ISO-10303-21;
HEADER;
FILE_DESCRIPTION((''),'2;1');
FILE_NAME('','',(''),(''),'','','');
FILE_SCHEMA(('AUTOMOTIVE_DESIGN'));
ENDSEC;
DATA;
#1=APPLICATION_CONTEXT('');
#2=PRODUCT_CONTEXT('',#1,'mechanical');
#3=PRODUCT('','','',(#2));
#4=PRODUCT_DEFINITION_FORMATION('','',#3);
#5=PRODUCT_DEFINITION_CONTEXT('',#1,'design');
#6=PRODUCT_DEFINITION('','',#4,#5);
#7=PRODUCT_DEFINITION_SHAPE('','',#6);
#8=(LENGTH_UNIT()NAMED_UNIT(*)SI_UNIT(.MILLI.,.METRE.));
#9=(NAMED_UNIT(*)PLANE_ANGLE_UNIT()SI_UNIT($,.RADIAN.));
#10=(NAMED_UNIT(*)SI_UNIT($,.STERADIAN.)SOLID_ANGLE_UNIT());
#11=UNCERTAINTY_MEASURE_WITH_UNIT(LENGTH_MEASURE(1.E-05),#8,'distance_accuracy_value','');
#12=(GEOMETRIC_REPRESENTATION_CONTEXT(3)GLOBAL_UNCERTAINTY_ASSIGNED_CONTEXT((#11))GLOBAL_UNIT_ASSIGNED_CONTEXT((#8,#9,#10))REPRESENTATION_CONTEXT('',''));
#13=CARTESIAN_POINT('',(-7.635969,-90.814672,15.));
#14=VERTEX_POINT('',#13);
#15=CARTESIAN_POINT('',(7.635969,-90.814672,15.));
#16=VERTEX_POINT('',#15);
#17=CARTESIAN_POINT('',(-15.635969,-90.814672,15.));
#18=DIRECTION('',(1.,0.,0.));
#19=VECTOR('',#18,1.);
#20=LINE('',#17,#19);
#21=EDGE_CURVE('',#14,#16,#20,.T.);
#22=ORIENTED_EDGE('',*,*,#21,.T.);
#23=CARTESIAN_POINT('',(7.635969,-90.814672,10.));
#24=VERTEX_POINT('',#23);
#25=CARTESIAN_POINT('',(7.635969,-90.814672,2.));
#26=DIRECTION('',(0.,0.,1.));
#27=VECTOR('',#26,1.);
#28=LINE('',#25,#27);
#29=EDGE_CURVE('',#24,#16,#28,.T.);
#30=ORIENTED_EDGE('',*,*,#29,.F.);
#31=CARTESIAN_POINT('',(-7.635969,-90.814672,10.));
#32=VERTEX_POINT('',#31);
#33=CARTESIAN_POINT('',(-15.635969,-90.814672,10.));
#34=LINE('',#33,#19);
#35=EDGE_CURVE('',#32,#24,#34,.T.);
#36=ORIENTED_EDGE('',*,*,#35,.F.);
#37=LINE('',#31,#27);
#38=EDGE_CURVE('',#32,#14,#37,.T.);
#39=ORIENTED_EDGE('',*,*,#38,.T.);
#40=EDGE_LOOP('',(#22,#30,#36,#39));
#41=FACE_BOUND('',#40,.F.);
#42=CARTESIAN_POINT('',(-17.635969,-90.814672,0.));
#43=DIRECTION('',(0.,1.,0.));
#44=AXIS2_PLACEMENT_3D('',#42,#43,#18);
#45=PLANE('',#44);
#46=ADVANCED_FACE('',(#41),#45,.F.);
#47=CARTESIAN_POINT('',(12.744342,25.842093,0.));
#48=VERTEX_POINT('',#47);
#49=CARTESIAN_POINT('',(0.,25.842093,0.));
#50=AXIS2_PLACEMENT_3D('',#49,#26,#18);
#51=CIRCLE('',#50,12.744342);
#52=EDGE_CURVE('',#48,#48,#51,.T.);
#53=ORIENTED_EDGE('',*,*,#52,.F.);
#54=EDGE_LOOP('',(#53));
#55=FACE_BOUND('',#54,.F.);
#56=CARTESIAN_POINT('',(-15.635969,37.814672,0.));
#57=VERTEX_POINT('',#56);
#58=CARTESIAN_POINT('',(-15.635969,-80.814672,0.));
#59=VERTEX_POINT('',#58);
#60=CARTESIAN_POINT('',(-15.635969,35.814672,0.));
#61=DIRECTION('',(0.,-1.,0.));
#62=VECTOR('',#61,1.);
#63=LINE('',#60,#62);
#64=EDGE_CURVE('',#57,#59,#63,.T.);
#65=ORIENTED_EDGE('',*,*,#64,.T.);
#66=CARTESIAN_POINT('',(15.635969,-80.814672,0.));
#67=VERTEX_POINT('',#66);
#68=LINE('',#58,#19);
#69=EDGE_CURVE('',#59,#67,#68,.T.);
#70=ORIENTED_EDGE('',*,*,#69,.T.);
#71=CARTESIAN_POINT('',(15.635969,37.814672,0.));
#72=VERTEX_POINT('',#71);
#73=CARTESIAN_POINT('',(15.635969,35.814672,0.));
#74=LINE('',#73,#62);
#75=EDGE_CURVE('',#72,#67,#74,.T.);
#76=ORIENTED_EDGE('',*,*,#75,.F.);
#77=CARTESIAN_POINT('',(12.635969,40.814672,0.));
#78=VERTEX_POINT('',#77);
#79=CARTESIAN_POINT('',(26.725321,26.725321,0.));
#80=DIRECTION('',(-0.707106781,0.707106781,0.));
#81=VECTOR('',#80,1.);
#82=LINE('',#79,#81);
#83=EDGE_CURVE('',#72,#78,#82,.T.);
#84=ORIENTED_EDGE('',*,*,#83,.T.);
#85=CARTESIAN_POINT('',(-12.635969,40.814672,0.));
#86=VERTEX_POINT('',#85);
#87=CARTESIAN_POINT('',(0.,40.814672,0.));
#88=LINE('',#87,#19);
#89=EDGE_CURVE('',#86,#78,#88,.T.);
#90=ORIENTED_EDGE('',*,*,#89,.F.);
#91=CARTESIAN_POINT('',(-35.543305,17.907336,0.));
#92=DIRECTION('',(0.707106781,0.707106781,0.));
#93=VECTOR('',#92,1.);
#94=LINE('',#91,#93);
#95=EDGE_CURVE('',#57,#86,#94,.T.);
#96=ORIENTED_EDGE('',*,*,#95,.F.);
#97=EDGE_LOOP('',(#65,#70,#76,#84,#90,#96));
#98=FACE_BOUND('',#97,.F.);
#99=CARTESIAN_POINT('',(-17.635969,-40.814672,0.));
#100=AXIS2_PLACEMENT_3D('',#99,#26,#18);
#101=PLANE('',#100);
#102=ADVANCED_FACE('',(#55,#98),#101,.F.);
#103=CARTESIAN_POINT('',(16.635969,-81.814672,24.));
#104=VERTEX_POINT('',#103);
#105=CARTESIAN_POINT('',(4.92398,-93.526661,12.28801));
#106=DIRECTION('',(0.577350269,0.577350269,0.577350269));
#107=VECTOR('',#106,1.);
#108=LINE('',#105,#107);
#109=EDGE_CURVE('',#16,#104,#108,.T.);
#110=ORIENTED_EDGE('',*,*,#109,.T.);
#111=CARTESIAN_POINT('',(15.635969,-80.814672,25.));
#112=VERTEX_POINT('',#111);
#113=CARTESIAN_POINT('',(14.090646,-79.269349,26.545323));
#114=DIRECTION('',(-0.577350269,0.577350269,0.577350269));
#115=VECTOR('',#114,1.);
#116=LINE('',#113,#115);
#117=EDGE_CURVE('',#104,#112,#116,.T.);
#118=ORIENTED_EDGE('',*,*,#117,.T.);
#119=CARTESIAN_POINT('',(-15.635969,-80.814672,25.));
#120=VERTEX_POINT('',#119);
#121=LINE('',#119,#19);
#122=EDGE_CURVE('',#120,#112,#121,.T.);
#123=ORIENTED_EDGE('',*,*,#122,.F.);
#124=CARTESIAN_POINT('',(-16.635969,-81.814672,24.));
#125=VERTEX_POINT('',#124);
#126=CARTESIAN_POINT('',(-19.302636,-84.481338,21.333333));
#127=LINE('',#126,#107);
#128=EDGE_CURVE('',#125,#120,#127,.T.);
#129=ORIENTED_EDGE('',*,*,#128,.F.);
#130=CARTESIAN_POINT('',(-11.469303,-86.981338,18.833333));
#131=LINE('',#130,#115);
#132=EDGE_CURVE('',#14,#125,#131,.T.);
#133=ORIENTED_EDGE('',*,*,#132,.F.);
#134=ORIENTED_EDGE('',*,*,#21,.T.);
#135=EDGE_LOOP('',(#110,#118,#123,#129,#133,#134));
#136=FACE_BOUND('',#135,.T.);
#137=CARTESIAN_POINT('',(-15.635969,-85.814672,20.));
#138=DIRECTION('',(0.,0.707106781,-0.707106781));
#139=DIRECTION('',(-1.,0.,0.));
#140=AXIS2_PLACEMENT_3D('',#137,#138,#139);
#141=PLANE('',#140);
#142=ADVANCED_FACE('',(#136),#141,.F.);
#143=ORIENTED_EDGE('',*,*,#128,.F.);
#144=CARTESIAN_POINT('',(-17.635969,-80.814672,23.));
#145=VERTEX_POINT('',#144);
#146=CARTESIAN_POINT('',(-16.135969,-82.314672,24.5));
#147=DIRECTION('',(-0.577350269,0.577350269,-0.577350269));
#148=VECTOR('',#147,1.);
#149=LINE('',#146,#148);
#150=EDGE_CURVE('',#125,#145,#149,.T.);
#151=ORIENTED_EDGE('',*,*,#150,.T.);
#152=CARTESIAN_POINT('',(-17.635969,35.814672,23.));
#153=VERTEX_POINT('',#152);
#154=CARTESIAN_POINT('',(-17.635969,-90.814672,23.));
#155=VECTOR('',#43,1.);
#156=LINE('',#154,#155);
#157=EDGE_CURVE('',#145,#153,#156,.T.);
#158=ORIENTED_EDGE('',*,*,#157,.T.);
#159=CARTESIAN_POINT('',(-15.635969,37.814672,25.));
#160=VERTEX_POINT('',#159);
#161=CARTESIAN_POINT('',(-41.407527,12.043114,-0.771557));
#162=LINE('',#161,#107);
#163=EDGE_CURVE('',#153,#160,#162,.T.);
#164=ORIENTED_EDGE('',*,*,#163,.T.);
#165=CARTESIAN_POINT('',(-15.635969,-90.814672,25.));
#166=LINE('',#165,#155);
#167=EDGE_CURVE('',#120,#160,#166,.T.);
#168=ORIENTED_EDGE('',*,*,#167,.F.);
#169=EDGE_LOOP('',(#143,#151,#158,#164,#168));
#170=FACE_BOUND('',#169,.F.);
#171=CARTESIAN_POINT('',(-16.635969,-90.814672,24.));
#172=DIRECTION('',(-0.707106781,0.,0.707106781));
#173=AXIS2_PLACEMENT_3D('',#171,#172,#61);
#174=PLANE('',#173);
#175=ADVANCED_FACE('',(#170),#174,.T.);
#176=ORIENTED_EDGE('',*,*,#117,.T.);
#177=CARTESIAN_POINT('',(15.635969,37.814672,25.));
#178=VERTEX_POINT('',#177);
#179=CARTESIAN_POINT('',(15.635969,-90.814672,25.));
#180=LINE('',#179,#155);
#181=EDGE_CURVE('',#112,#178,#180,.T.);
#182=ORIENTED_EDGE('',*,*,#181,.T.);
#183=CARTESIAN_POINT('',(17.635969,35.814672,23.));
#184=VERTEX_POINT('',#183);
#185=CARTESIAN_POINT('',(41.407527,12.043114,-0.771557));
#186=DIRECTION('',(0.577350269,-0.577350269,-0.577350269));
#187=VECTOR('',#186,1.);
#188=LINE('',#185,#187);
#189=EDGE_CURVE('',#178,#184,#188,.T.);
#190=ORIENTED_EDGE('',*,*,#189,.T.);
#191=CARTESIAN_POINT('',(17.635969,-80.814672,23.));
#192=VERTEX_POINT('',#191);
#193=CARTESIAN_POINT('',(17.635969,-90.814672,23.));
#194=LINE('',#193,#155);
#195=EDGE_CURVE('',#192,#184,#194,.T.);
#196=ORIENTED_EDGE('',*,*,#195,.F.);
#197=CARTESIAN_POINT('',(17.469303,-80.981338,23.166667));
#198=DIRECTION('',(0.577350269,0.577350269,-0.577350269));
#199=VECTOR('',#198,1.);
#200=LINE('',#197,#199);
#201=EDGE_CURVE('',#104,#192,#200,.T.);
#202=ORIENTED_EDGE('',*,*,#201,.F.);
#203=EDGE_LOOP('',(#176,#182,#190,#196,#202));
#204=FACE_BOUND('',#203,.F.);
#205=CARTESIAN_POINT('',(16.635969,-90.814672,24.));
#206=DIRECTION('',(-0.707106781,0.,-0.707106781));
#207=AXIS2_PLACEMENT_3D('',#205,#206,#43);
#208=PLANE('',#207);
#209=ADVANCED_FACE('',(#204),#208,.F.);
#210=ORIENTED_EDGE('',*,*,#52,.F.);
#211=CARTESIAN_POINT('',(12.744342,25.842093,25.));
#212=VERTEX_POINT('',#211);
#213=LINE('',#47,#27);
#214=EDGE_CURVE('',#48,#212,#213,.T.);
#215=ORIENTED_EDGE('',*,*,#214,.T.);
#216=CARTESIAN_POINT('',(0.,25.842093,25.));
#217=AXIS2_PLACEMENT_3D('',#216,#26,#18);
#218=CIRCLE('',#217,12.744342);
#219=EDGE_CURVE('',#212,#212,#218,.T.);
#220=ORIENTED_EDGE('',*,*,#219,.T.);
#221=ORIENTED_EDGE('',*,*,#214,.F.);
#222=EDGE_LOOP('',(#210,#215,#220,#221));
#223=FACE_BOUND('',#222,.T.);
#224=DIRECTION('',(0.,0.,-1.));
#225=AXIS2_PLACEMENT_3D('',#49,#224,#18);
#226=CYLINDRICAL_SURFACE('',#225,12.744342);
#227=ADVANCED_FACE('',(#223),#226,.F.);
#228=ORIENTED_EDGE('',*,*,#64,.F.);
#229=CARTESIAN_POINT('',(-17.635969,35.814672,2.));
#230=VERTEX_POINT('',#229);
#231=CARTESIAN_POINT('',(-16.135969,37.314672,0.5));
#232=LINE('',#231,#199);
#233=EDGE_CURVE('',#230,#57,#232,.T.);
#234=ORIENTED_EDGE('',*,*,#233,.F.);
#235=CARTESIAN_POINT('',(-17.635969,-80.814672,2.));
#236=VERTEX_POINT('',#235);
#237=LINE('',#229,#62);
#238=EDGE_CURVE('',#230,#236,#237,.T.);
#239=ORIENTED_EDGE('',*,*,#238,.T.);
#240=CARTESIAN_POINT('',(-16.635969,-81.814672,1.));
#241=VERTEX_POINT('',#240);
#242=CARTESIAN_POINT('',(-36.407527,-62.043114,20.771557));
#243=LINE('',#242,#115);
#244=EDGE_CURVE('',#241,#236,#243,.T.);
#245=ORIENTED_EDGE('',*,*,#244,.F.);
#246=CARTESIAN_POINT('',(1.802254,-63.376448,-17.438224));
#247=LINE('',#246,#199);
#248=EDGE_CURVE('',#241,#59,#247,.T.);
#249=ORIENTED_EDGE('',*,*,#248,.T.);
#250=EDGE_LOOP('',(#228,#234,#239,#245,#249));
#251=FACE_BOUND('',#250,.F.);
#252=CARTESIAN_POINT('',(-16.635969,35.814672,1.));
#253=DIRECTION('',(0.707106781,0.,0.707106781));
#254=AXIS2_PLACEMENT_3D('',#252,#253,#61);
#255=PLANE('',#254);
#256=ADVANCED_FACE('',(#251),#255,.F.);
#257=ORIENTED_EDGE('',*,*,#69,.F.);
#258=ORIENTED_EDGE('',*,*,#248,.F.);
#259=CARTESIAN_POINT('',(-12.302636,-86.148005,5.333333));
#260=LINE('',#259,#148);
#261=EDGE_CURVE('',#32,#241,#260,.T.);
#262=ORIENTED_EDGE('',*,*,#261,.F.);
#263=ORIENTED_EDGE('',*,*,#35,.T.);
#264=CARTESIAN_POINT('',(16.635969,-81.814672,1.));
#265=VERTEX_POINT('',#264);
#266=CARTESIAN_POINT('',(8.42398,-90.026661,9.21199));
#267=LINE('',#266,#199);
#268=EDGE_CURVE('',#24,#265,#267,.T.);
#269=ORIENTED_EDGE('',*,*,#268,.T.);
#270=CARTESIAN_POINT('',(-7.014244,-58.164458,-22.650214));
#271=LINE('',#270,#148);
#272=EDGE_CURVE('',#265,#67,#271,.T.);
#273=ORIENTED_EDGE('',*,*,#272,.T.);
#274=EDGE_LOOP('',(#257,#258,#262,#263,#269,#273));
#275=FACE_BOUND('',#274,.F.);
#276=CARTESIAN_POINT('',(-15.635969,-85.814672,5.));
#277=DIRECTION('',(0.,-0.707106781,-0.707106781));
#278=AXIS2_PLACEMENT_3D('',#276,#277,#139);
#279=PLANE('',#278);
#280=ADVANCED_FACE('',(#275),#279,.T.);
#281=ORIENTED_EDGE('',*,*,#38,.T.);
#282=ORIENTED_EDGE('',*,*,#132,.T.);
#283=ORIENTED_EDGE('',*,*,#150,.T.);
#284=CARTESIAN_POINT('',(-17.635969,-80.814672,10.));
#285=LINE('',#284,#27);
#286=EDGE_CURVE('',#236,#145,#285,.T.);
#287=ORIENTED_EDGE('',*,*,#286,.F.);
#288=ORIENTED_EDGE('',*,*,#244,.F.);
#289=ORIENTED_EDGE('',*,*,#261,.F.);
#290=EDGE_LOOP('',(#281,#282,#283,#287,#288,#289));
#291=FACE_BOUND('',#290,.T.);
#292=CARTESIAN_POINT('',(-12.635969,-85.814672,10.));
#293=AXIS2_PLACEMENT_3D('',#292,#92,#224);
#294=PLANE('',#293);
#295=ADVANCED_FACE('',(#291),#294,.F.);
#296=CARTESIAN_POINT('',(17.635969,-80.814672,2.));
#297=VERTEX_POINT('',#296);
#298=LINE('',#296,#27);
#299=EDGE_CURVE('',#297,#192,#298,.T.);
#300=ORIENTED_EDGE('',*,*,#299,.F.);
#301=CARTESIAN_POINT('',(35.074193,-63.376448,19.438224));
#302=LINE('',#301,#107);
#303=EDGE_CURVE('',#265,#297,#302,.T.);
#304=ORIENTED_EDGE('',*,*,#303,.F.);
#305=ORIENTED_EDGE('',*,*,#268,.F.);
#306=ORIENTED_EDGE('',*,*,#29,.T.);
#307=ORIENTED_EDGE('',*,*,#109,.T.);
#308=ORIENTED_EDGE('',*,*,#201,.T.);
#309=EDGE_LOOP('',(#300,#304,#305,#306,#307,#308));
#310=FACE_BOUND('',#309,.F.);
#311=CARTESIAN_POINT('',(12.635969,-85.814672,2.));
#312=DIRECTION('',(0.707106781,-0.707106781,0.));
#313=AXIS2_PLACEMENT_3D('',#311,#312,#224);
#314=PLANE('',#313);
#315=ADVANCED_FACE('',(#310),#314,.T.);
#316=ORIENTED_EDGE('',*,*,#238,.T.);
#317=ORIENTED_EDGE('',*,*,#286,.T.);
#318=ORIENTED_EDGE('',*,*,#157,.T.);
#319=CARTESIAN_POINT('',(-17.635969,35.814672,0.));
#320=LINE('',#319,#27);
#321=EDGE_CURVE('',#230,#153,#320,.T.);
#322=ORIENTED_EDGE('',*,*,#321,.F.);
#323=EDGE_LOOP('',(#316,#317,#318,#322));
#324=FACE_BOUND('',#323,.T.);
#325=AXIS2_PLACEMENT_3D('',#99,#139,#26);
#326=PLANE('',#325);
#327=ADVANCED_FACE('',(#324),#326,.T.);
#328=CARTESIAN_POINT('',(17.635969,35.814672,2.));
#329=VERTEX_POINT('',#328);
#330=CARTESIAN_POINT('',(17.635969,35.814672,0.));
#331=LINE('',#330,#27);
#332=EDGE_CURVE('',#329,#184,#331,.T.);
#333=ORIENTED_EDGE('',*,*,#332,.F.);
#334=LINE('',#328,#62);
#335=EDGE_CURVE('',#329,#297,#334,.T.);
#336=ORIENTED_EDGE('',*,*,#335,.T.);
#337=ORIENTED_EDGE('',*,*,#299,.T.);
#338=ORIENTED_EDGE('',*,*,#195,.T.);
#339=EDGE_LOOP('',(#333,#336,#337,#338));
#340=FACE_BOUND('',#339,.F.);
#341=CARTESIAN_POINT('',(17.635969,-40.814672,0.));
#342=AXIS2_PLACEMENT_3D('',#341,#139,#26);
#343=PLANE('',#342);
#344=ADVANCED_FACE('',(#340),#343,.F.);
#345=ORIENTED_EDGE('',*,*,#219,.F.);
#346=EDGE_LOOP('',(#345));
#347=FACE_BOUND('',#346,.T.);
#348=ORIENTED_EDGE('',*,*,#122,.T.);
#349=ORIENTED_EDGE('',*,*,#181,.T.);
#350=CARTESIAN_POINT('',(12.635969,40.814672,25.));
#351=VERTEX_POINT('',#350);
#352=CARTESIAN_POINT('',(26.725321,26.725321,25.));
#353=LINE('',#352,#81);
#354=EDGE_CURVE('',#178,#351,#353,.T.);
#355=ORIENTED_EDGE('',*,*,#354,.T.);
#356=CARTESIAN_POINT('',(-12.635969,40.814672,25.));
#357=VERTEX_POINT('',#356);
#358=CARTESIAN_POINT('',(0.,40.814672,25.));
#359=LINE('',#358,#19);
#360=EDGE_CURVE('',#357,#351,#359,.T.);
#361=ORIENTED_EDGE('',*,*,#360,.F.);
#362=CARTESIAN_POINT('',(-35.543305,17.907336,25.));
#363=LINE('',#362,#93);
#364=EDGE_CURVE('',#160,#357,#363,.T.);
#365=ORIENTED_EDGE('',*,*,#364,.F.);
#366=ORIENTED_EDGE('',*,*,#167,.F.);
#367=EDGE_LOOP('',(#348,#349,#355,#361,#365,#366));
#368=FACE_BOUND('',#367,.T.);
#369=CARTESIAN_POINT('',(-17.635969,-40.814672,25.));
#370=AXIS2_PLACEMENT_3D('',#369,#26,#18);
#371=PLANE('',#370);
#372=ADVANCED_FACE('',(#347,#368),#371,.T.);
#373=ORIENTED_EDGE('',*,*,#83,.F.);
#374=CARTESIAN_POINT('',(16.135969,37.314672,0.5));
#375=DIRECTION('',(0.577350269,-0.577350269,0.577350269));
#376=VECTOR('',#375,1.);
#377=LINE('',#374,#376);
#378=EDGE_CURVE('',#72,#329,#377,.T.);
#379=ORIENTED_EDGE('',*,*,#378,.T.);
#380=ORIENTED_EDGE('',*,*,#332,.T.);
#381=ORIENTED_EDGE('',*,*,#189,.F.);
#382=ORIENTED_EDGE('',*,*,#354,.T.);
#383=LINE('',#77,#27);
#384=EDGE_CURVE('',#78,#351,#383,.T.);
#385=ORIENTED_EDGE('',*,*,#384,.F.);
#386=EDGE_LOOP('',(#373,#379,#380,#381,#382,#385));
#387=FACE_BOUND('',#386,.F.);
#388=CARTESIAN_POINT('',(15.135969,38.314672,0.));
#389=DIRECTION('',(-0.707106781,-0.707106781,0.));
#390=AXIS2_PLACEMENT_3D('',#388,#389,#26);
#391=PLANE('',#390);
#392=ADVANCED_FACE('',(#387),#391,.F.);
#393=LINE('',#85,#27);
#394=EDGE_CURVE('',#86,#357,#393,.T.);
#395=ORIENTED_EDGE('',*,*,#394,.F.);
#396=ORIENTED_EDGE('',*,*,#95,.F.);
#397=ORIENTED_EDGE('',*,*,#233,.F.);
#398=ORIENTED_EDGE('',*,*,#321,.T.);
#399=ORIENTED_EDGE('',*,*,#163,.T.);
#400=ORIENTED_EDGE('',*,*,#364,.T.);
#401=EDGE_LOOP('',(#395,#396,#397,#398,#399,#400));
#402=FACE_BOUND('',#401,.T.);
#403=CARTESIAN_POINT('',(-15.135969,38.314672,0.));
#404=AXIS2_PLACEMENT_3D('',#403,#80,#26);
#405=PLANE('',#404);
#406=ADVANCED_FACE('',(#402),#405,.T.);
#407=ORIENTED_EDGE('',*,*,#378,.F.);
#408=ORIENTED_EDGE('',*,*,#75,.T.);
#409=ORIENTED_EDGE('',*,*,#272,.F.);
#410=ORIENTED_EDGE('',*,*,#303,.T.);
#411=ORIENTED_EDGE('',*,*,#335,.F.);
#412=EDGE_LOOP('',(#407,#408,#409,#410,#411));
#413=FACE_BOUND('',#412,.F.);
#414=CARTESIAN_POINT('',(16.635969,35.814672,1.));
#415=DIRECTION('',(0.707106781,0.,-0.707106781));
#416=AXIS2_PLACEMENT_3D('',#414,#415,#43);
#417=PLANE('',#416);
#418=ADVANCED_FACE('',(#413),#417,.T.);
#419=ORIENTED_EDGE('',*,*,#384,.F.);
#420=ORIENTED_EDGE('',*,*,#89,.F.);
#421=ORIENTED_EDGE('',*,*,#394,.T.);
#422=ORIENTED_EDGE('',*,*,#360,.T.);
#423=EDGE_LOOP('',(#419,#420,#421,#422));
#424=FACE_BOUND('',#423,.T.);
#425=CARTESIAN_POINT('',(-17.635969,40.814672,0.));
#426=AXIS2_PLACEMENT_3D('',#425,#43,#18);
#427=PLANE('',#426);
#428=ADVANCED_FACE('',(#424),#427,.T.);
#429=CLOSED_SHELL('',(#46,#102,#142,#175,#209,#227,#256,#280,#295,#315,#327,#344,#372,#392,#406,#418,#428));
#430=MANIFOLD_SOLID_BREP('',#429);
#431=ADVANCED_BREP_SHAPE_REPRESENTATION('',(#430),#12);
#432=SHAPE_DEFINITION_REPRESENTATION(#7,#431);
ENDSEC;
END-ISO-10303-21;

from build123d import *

# Parameters (mm, degrees)
F0_W     = 35.2719388902
F0_H     = 81.6293433309
F1_DEPTH = 25
F2_R     = 12.7443419247
F3_DEPTH = 25
F4_DEPTH = 50
F5_SIZE  = 5
F6_SIZE  = 2
F7_SIZE  = 10


with BuildPart() as f1:
    # F0 (on Top) → F1 (new body)
    with BuildSketch(Plane.XY):
        Rectangle(F0_W, F0_H)
    extrude(amount=F1_DEPTH)

    # F2 (on Top) → F3 (cut)
    with BuildSketch(Plane.XY):
        with Locations((0, 25.8420929313)):
            Circle(F2_R)
    extrude(amount=F3_DEPTH, mode=Mode.SUBTRACT)

    # F4 (add): a face of the model
    f4_faces = [f1.faces().sort_by_distance(p)[0] for p in [
        (0, -40.8146716654, 12.5),
    ]]
    extrude(f4_faces, amount=F4_DEPTH)

    # F5
    f5_edges = [f1.edges().sort_by_distance(p)[0] for p in [
        (-17.635969, 40.814672, 12.5),
        (17.635969, 40.814672, 12.5),
    ]]
    chamfer(f5_edges, length=F5_SIZE)

    # F6
    f6_edges = [f1.edges().sort_by_distance(p)[0] for p in [
        (17.635969, -27.5, 25),
        (-17.635969, -27.5, 25),
        (17.635969, -27.5, 0),
        (-17.635969, -27.5, 0),
    ]]
    chamfer(f6_edges, length=F6_SIZE)

    # F7 (call 1 of 4: OpenCascade refuses the feature's edges together)
    f7_edges = [f1.edges().sort_by_distance(p)[0] for p in [
        (0, -90.814672, 25),
    ]]
    chamfer(f7_edges, length=F7_SIZE)

    # F7#2 (call 2 of 4)
    f7_2_edges = [f1.edges().sort_by_distance(p)[0] for p in [
        (17.635969, -90.814672, 12.5),
    ]]
    chamfer(f7_2_edges, length=F7_SIZE)

    # F7#3 (call 3 of 4)
    f7_3_edges = [f1.edges().sort_by_distance(p)[0] for p in [
        (0, -90.814672, 0),
    ]]
    chamfer(f7_3_edges, length=F7_SIZE)

    # F7#4 (call 4 of 4)
    f7_4_edges = [f1.edges().sort_by_distance(p)[0] for p in [
        (-17.635969, -90.814672, 12.5),
    ]]
    chamfer(f7_4_edges, length=F7_SIZE)


solid = f1.part
